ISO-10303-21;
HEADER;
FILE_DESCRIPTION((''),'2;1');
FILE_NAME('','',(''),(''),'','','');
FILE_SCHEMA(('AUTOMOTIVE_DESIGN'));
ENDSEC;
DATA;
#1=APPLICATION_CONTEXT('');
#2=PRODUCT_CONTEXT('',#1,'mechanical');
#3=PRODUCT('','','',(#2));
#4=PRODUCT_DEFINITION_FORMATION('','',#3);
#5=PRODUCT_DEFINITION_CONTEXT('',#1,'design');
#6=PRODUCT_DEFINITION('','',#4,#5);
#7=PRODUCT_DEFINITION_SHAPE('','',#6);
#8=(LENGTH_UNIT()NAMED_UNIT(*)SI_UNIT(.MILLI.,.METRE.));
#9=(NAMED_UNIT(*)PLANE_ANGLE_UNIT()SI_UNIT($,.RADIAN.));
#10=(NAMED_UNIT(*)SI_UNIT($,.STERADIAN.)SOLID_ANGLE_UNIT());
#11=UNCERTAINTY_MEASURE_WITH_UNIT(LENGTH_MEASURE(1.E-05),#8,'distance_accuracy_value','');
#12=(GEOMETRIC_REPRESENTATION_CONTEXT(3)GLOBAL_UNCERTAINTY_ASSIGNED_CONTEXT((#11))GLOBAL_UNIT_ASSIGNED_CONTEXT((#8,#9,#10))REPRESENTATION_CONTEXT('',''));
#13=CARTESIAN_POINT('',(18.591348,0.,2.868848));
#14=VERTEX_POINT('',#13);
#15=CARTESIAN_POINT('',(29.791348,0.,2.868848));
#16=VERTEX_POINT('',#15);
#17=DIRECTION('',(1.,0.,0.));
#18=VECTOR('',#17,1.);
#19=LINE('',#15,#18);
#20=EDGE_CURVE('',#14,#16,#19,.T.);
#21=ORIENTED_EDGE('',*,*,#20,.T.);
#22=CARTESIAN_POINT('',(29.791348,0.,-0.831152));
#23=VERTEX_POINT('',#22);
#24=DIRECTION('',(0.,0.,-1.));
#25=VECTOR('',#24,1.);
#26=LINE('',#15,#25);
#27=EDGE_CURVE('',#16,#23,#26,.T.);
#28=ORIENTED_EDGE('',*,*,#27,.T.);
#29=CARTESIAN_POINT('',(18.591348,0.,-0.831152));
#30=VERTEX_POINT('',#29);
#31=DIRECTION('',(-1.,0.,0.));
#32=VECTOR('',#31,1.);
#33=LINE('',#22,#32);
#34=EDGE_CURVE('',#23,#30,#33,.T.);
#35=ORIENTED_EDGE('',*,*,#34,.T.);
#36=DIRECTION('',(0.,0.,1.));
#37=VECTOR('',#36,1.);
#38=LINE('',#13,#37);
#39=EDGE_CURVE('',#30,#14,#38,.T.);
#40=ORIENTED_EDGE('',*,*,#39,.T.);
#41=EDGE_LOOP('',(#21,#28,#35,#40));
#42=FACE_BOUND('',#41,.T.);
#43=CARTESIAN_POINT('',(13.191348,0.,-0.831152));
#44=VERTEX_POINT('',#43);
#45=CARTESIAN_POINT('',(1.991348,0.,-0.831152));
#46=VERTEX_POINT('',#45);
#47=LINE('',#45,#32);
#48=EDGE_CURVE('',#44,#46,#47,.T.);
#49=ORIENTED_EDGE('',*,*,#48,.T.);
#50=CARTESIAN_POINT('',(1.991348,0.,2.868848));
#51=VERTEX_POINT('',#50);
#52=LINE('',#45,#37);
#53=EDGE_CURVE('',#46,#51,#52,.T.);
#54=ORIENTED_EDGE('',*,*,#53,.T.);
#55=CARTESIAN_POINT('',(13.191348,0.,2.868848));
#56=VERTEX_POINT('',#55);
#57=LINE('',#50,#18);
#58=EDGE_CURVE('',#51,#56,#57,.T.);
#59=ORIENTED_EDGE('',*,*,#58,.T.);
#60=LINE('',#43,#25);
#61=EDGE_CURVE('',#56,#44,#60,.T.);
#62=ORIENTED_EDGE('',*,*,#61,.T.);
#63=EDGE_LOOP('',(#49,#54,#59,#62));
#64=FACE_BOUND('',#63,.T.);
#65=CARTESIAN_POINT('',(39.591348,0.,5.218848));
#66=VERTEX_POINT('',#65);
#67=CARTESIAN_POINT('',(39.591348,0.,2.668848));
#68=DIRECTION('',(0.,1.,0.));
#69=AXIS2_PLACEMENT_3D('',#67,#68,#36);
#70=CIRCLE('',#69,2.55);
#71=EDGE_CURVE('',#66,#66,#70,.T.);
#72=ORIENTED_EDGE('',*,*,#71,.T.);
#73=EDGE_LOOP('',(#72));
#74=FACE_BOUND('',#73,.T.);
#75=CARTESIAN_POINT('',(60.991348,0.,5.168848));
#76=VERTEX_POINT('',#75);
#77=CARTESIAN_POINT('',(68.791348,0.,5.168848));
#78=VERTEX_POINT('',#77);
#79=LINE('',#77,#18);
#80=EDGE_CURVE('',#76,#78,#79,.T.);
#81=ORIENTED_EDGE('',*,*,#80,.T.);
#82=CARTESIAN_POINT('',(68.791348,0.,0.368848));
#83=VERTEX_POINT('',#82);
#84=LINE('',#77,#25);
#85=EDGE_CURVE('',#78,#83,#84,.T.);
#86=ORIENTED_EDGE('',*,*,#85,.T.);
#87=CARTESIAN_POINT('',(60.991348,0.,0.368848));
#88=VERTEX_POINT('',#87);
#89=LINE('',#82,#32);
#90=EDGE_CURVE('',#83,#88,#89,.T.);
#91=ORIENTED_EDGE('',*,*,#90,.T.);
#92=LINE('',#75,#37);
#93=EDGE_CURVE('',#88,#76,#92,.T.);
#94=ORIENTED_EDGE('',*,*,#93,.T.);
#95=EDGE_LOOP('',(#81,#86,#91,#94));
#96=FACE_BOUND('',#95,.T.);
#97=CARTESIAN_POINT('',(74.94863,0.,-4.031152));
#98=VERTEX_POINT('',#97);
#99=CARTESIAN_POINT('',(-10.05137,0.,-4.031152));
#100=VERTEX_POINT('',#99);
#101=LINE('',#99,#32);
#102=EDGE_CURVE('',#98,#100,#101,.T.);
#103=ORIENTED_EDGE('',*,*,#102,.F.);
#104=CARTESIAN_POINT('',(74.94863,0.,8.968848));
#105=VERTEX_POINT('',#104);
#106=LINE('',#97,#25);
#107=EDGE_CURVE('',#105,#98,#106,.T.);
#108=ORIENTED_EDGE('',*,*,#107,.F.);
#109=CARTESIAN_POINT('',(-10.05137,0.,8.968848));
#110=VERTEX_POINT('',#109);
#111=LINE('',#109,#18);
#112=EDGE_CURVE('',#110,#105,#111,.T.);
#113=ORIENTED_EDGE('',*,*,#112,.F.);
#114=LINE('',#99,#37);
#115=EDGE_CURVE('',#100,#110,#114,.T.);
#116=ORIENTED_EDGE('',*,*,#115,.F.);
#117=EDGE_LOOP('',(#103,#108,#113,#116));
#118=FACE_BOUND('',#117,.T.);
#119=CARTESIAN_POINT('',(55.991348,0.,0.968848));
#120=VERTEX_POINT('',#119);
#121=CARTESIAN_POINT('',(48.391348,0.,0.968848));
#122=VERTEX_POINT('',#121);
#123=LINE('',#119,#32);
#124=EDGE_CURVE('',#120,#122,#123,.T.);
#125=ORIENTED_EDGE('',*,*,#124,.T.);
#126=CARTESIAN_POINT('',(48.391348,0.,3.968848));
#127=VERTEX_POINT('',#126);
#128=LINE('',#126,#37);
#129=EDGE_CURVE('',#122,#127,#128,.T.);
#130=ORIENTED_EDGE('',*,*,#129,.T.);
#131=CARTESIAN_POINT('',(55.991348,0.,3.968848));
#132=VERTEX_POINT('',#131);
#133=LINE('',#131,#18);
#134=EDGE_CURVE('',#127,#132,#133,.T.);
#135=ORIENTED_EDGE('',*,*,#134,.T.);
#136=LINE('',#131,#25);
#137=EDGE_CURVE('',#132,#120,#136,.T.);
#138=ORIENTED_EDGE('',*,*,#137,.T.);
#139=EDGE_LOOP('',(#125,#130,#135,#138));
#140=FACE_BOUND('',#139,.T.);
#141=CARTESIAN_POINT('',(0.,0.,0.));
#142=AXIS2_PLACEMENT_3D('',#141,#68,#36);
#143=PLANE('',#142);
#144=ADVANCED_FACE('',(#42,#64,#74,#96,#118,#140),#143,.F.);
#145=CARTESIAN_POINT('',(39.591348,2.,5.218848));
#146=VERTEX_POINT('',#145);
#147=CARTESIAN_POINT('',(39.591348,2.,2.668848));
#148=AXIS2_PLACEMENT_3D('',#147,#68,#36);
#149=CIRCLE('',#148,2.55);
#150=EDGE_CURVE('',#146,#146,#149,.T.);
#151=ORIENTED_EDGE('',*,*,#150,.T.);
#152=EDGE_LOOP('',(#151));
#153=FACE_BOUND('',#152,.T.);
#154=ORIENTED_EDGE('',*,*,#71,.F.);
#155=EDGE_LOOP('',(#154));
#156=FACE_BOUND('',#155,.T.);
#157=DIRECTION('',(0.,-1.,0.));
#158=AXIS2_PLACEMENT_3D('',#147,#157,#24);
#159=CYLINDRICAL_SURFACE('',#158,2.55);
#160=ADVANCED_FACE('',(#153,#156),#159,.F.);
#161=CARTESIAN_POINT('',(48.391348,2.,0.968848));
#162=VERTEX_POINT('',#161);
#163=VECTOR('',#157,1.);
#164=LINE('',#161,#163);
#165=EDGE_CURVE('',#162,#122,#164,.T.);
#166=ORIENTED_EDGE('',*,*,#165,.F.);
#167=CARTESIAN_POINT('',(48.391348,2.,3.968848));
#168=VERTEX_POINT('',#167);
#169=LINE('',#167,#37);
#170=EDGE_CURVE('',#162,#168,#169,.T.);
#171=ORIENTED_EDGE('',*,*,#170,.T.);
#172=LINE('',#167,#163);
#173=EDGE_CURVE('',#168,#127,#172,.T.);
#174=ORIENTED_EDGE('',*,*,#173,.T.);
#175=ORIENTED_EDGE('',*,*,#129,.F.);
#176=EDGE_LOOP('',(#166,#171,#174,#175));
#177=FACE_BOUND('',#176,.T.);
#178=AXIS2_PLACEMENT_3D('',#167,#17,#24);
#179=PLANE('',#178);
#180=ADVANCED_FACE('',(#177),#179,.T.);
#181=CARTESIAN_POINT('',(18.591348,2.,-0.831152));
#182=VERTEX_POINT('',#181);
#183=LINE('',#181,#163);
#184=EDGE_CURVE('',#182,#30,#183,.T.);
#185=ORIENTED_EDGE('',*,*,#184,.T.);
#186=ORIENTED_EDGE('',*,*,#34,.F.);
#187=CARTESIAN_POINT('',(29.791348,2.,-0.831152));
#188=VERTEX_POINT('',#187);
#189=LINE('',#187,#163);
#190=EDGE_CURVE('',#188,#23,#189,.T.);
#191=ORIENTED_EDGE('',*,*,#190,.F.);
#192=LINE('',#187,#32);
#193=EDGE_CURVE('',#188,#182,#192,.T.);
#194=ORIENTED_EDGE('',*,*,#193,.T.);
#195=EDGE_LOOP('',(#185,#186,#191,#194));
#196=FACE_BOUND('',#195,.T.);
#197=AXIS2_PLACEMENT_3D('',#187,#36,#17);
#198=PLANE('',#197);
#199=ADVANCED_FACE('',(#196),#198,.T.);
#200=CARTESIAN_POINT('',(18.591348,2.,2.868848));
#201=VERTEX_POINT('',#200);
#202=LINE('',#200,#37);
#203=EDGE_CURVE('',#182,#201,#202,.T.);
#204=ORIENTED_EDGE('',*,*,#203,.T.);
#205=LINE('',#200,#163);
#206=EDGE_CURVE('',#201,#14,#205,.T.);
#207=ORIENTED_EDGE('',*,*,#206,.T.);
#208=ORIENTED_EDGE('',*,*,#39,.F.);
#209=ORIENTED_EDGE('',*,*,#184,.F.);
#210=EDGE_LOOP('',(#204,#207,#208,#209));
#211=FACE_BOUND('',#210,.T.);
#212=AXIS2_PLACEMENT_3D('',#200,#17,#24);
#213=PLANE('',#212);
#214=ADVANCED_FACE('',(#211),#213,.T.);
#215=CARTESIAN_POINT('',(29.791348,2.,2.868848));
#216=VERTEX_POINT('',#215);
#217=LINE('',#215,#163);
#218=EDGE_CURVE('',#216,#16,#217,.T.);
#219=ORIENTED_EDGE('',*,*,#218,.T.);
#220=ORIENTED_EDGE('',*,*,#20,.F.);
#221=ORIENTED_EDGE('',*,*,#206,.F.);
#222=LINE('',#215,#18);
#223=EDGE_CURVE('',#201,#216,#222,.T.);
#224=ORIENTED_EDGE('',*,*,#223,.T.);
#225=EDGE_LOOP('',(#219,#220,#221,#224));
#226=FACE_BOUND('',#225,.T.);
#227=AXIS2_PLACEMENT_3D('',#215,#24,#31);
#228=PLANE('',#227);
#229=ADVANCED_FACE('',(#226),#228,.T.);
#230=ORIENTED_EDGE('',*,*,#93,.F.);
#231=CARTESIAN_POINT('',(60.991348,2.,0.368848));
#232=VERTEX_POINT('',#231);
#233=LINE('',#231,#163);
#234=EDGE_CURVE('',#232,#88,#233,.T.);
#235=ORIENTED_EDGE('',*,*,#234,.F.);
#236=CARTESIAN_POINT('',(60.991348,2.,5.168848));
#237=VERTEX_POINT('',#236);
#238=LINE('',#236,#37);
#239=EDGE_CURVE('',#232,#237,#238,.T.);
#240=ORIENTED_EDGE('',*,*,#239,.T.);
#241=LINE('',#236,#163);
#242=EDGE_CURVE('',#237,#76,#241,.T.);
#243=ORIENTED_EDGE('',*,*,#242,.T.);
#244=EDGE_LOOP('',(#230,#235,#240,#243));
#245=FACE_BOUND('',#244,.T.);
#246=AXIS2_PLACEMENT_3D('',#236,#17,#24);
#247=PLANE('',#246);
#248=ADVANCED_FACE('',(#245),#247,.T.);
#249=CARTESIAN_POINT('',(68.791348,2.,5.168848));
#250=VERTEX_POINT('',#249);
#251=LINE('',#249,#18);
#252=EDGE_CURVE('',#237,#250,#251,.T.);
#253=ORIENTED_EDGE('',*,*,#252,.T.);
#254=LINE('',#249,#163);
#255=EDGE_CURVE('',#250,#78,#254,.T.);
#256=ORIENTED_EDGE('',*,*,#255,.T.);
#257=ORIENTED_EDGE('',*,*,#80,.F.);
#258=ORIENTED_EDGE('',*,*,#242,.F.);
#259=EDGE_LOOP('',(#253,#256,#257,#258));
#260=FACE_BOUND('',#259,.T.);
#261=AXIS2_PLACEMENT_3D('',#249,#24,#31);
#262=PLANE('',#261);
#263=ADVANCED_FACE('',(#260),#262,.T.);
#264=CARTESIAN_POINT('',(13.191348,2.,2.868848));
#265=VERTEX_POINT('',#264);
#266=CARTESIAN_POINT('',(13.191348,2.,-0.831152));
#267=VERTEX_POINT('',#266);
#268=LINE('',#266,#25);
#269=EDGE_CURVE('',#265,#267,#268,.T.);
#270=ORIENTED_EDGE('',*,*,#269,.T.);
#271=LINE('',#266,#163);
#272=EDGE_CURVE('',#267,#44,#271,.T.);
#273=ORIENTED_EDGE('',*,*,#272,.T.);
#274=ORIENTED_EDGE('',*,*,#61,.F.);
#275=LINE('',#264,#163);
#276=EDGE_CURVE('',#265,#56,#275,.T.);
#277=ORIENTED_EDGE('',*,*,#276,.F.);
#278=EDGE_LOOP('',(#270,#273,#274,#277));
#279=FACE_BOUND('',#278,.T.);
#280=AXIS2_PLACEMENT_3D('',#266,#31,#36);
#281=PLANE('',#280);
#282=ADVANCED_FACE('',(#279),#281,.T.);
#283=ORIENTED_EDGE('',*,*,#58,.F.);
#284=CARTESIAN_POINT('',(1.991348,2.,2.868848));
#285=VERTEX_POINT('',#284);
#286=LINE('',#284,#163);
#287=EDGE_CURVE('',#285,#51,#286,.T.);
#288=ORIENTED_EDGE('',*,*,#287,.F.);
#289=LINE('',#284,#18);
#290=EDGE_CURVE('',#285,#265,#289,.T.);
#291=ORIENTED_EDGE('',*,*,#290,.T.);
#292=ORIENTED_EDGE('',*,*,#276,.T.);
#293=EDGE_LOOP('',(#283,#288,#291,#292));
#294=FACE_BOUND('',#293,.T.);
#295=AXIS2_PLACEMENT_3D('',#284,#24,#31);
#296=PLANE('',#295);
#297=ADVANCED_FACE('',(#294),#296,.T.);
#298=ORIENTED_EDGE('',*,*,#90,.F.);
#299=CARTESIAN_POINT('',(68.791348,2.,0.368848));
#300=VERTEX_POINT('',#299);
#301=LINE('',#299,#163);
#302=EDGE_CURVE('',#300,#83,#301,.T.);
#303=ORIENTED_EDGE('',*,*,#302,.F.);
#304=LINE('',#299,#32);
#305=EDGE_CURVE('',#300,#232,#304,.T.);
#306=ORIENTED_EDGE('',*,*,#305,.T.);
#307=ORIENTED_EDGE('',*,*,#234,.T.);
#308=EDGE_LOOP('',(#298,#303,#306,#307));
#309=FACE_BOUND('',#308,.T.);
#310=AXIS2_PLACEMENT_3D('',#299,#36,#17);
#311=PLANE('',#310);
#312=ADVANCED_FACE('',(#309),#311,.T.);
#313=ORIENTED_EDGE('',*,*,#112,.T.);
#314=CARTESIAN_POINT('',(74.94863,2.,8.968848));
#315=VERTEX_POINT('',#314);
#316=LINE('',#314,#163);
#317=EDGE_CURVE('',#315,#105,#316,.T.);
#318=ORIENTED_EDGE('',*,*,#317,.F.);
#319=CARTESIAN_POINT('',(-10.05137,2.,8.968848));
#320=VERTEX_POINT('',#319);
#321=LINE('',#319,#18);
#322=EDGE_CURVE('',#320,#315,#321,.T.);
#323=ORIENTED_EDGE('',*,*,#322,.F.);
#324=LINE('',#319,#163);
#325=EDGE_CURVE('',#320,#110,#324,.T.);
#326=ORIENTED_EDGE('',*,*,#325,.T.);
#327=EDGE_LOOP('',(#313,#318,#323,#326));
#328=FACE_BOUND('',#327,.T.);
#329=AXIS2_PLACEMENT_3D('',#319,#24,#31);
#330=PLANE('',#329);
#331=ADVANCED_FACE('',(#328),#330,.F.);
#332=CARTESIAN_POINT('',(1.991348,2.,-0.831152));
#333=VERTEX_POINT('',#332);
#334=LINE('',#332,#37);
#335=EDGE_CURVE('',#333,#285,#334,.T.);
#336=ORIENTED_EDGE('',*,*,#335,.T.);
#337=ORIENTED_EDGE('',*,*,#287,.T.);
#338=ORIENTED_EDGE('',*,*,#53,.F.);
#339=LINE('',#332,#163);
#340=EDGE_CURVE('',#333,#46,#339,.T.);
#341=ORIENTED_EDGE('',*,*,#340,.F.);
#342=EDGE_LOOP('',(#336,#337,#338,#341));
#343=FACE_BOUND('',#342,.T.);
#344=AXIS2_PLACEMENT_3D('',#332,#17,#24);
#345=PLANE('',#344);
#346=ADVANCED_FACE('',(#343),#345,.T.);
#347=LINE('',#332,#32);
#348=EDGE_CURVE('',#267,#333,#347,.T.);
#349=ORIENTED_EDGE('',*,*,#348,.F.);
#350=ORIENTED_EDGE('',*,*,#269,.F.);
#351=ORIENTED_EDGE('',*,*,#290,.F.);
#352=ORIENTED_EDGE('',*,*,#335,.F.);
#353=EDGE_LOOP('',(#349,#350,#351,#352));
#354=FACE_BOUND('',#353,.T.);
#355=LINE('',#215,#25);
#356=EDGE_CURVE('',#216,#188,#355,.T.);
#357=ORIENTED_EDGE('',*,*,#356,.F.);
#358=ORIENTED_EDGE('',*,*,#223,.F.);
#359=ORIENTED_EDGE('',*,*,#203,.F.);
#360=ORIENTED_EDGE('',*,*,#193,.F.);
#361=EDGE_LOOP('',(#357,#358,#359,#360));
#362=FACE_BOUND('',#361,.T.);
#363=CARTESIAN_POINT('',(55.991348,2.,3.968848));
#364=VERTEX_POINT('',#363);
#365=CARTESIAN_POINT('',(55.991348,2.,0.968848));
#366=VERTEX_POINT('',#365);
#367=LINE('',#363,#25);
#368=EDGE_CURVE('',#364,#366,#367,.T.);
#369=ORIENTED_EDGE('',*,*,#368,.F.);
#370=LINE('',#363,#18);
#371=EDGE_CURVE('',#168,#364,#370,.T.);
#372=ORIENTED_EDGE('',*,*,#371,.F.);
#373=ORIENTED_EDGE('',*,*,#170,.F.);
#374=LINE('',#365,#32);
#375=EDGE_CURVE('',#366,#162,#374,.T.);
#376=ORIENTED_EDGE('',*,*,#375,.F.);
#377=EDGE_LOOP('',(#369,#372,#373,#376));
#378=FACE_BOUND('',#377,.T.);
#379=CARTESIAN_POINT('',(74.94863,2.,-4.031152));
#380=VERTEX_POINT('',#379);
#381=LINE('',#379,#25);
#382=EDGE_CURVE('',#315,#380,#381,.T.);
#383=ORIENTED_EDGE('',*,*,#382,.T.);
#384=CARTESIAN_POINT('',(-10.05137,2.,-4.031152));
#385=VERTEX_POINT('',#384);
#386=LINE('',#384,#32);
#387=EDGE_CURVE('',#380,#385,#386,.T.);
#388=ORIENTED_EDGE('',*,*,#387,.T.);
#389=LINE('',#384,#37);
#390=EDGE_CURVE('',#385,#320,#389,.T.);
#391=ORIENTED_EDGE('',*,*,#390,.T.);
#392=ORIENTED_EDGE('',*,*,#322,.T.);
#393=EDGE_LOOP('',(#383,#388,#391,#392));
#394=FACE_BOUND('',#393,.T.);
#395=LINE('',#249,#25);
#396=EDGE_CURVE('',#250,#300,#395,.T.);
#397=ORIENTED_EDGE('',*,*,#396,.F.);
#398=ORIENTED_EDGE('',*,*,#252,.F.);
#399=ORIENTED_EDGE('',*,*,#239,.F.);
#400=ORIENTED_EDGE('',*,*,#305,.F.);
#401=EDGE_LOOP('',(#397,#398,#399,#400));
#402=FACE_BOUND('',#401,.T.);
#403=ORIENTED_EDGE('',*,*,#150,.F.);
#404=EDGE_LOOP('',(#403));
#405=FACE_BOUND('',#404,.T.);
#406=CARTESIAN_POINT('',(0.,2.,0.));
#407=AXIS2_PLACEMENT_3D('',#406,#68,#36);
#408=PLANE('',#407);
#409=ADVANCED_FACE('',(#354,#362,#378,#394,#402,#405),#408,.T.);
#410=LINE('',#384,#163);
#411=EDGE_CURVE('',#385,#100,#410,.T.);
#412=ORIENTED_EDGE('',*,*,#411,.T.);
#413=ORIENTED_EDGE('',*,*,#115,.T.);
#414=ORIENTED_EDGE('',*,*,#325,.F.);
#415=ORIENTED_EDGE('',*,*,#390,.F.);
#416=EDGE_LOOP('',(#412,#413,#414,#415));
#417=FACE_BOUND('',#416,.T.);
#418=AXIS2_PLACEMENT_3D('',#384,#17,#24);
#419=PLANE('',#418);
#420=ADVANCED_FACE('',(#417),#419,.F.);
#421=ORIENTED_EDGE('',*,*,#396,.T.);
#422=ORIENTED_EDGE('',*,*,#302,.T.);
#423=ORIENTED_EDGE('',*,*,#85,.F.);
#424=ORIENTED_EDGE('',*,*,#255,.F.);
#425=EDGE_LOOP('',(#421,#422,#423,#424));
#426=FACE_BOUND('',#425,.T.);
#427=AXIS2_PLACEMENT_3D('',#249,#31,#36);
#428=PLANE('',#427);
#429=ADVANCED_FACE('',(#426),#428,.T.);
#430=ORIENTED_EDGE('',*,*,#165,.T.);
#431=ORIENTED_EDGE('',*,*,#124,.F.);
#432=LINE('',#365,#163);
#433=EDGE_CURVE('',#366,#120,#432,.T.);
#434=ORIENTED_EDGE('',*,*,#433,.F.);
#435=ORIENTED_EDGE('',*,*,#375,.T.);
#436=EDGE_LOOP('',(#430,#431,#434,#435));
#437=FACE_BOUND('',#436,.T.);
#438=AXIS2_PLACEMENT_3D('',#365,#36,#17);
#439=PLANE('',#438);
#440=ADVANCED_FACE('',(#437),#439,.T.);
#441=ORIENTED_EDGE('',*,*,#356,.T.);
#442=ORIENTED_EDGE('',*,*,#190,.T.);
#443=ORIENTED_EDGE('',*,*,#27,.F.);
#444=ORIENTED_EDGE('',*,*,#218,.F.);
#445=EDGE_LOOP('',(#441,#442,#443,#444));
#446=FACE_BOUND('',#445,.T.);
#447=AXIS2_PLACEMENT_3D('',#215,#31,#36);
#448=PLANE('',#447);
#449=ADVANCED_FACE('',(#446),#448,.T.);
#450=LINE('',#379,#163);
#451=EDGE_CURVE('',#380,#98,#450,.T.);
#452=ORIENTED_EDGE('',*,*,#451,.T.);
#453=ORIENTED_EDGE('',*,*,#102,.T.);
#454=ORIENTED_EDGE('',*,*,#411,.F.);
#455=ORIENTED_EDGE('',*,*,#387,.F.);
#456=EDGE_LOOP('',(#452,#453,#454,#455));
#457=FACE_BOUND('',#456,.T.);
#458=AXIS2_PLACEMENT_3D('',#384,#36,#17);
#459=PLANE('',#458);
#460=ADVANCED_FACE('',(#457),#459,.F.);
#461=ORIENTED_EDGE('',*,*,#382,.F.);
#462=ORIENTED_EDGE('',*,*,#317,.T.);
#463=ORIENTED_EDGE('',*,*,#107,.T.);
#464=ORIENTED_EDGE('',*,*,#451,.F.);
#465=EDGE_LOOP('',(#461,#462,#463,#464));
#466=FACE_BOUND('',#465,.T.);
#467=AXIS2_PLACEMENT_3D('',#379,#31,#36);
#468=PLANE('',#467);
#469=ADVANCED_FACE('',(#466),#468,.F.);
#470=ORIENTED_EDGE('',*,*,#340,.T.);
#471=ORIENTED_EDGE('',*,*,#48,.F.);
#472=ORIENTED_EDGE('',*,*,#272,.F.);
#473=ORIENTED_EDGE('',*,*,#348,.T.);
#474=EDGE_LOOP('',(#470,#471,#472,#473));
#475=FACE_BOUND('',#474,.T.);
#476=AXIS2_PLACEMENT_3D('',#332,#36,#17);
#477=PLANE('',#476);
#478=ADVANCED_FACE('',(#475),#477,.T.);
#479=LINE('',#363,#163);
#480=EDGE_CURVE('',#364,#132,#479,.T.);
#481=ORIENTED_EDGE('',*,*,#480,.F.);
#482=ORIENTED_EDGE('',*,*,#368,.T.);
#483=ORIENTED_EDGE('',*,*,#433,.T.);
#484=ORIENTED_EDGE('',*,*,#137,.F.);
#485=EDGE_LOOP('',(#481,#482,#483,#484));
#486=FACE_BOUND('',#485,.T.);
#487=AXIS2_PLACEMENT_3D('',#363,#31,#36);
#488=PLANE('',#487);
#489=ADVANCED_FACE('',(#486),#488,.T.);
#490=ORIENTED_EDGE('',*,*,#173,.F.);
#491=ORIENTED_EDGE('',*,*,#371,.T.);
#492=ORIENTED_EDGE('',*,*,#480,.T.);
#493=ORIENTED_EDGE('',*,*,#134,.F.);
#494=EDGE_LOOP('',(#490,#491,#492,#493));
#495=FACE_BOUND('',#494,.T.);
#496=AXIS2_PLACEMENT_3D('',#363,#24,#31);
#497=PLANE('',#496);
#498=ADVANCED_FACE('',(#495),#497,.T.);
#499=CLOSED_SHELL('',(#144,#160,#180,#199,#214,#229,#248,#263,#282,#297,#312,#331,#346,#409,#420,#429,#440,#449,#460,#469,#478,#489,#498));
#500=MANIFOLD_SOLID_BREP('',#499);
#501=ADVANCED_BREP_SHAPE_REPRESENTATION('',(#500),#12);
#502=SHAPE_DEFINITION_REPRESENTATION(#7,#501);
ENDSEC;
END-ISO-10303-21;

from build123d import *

# Parameters (mm, degrees)
SKETCH_1_W      = 85
SKETCH_1_H      = 13
SKETCH_1_R      = 2.55
SKETCH_1_W_2    = 7.8
SKETCH_1_H_2    = 4.8
SKETCH_1_W_3    = 7.6
SKETCH_1_H_3    = 3
SKETCH_1_W_4    = 11.2
SKETCH_1_H_4    = 3.7
EXTRUDE_5_DEPTH = 2


with BuildPart() as part:
    # 草图1 → 凸台-拉伸5 (new body)
    with BuildSketch(Plane(origin=(0, 0, 0), x_dir=(1, 0, 0), z_dir=(0, 1, 0))):
        with Locations((32.448630137, -2.468848032)):
            Rectangle(SKETCH_1_W, SKETCH_1_H)
        with Locations(Location((39.591348171, -2.668848032, 0), (0, 0, 270))):
            Circle(SKETCH_1_R, mode=Mode.SUBTRACT)
        with Locations((64.891348171, -2.768848032)):
            Rectangle(SKETCH_1_W_2, SKETCH_1_H_2, mode=Mode.SUBTRACT)
        with Locations((52.191348171, -2.468848032)):
            Rectangle(SKETCH_1_W_3, SKETCH_1_H_3, mode=Mode.SUBTRACT)
        with Locations((24.191348171, -1.018848032)):
            Rectangle(SKETCH_1_W_4, SKETCH_1_H_4, mode=Mode.SUBTRACT)
        with Locations((7.591348171, -1.018848032)):
            Rectangle(SKETCH_1_W_4, SKETCH_1_H_4, mode=Mode.SUBTRACT)
    extrude(amount=EXTRUDE_5_DEPTH)


solid = part.part
